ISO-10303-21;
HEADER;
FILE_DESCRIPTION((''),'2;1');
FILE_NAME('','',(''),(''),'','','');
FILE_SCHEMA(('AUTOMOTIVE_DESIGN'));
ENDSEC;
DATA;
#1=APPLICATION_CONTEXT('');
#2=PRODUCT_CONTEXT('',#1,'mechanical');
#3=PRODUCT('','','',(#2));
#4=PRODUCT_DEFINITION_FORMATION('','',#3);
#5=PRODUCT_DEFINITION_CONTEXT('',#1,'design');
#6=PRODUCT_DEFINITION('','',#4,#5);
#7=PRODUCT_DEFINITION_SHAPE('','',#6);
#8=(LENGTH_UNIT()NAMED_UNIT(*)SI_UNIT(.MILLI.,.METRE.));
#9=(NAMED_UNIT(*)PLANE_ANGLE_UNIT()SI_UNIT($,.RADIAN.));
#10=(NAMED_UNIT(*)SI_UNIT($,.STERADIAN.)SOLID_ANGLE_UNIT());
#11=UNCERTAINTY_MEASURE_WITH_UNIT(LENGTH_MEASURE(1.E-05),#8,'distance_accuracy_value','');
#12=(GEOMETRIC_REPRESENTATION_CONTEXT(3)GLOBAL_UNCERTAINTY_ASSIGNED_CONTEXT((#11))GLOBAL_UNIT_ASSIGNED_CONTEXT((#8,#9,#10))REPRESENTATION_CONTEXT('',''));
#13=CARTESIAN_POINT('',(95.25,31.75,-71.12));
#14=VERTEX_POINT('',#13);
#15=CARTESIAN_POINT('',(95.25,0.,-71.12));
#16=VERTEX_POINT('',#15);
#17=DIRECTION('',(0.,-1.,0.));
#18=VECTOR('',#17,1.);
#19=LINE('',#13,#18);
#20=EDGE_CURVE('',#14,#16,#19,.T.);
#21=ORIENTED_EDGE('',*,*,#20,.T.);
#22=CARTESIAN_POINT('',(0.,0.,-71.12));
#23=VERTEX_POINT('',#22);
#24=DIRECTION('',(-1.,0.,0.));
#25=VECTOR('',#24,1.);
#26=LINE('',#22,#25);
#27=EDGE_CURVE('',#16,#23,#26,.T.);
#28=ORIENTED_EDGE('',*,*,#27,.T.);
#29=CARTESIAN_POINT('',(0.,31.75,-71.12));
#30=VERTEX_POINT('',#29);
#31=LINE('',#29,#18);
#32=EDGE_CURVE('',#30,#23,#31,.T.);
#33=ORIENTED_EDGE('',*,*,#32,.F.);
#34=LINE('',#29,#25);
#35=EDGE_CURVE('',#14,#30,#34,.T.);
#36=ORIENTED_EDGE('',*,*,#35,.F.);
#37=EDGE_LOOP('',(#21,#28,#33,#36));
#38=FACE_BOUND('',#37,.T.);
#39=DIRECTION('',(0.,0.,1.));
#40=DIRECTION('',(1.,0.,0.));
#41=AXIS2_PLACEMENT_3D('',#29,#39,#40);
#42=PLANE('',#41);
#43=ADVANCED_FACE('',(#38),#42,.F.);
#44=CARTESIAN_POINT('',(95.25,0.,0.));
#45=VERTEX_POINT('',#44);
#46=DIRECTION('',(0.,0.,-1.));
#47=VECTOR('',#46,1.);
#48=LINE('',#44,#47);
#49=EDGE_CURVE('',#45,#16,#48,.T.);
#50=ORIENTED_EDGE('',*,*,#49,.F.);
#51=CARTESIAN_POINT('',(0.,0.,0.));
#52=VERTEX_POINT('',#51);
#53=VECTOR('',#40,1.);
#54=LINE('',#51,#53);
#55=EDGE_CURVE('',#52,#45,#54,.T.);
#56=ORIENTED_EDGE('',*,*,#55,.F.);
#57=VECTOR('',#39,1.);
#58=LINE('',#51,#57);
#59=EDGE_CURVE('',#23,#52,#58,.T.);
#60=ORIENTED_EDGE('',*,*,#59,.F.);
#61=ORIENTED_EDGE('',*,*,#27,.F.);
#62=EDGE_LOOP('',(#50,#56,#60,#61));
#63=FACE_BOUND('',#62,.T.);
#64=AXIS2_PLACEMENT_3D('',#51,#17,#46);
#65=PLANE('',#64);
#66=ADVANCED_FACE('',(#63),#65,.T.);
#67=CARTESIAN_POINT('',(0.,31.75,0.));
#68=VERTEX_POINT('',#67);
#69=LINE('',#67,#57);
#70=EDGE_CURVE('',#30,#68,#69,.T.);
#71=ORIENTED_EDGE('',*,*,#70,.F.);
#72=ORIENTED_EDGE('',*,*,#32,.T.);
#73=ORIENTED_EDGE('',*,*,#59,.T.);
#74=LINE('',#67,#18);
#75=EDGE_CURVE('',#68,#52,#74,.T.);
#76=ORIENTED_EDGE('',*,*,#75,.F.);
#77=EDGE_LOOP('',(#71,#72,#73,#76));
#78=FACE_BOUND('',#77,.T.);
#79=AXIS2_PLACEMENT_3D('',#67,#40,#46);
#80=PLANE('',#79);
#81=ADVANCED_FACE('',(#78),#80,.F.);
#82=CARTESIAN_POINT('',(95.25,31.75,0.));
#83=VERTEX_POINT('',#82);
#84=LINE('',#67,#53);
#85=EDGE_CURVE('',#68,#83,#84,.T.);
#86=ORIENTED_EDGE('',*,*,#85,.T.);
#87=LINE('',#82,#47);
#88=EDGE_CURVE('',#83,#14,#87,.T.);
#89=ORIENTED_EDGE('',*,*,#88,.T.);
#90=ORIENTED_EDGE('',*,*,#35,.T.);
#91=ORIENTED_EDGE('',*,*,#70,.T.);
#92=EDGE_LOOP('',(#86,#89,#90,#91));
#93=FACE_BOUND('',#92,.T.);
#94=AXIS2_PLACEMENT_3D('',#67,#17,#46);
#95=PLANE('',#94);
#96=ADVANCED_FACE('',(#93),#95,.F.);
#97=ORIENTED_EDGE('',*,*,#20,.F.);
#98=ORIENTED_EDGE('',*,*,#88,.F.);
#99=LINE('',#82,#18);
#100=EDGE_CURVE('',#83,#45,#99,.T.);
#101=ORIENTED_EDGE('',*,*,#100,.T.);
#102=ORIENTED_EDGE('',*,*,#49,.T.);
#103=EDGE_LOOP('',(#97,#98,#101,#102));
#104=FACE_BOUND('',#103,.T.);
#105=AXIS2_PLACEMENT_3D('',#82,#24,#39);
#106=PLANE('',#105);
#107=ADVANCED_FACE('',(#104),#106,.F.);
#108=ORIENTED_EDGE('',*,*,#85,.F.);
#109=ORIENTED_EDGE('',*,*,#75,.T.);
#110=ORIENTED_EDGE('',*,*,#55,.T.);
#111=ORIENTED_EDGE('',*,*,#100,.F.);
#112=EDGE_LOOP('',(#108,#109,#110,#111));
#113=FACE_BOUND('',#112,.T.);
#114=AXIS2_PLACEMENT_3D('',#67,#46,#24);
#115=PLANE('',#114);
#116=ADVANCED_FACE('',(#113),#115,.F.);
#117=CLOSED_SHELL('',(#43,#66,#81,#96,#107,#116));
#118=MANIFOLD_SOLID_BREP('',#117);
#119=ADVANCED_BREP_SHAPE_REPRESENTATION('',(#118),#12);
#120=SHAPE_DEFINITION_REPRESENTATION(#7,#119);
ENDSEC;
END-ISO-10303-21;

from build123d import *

# Parameters (mm, degrees)
SKETCH1_W           = 95.25
SKETCH1_H           = 71.12
BOSS_EXTRUDE1_DEPTH = 31.75


with BuildPart() as part:
    # Sketch1 → Boss-Extrude1 (new body)
    with BuildSketch(Plane(origin=(0, 0, 0), x_dir=(1, 0, 0), z_dir=(0, 1, 0))):
        with Locations((47.625, 35.56)):
            Rectangle(SKETCH1_W, SKETCH1_H)
    extrude(amount=BOSS_EXTRUDE1_DEPTH)


solid = part.part
